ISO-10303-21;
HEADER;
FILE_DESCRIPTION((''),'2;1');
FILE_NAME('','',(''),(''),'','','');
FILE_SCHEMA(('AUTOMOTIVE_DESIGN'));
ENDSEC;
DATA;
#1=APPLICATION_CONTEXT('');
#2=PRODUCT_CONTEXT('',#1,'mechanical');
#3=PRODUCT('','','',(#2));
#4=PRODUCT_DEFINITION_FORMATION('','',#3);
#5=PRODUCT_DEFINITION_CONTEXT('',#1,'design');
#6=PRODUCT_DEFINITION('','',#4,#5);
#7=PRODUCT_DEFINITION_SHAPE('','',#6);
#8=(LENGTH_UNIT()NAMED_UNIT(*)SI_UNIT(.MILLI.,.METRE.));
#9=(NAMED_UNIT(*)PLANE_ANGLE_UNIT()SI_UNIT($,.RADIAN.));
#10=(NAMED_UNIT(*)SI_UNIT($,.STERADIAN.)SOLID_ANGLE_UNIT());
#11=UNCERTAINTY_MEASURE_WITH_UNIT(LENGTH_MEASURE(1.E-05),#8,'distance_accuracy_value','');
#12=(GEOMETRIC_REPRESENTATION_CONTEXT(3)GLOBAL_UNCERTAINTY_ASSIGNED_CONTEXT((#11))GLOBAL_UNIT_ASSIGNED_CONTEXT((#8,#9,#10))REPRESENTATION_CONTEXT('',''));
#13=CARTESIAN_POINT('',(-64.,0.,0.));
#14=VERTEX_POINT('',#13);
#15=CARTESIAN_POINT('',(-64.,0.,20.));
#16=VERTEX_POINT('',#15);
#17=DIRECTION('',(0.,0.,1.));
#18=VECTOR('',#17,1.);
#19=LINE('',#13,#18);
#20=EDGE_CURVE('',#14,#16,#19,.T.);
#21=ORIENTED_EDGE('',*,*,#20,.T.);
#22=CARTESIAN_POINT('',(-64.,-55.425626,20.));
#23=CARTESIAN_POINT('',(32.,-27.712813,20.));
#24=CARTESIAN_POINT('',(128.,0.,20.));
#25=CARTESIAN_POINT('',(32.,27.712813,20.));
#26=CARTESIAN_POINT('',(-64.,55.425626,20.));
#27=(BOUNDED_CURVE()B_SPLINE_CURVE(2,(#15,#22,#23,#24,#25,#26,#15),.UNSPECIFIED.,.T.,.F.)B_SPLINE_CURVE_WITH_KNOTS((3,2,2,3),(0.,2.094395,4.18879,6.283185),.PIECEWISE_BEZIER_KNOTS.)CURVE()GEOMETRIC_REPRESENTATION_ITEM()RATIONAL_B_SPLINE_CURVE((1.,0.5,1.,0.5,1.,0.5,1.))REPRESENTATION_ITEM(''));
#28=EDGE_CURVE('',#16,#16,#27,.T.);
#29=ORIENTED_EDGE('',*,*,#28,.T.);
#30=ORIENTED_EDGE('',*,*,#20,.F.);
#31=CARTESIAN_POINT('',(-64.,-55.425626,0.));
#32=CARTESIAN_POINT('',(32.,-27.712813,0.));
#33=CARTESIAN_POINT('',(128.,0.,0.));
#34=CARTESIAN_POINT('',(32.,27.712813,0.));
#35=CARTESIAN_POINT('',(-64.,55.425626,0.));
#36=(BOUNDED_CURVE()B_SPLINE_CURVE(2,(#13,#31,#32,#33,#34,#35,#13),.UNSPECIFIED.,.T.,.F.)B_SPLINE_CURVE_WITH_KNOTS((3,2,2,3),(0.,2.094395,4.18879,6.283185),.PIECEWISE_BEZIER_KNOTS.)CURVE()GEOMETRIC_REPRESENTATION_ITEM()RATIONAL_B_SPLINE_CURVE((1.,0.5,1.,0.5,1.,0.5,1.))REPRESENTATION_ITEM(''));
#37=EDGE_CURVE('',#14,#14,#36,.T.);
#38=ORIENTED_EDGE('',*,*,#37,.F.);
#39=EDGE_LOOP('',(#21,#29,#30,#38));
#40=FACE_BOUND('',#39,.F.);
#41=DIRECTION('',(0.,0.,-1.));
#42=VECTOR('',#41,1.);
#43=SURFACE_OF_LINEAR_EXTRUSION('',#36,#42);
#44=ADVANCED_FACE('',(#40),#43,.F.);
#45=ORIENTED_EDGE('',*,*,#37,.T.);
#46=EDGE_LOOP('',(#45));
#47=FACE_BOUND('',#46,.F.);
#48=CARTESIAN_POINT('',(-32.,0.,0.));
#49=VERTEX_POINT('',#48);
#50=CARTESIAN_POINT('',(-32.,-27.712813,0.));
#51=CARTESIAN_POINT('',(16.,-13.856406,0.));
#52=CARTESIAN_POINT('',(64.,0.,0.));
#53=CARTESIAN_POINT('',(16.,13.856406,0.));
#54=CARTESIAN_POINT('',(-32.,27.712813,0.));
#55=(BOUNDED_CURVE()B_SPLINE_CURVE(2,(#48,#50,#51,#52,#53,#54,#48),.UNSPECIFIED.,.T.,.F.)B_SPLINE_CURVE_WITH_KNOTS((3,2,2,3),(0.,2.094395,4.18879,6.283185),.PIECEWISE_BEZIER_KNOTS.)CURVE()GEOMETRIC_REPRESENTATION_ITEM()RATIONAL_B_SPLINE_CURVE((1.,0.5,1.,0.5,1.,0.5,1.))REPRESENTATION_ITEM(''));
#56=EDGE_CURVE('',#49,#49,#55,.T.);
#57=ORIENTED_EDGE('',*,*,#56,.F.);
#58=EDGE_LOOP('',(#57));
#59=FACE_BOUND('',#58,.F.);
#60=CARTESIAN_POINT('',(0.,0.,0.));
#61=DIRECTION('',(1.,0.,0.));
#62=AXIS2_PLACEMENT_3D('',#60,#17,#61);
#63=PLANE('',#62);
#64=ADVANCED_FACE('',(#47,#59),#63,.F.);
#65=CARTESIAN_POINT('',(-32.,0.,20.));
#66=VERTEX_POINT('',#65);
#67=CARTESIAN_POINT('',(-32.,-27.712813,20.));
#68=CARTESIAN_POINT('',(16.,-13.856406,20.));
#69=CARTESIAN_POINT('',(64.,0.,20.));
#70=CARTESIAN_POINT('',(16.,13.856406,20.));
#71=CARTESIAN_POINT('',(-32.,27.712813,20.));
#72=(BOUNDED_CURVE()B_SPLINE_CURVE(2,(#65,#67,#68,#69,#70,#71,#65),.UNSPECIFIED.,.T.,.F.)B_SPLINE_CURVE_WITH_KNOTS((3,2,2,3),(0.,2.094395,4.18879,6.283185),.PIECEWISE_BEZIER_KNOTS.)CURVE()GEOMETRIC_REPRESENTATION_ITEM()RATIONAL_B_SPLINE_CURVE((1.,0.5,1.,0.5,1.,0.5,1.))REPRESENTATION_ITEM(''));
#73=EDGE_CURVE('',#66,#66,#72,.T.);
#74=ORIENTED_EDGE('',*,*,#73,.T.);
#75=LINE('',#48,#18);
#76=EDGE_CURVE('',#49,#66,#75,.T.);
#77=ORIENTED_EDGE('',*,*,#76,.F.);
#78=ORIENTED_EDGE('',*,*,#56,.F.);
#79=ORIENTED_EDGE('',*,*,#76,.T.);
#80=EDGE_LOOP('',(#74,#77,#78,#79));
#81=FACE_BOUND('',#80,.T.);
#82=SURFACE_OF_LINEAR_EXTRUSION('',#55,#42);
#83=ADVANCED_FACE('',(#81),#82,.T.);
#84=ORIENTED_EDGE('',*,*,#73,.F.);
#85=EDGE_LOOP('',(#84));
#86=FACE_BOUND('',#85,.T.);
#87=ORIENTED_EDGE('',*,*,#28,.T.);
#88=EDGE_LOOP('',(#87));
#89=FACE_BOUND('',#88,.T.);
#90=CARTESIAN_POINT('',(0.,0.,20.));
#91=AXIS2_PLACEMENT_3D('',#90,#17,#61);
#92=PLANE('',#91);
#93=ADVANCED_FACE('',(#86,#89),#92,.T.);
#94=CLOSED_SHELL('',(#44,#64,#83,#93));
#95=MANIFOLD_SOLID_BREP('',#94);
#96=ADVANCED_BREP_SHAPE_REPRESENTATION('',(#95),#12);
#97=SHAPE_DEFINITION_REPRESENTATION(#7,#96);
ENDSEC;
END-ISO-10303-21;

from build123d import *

# Parameters (mm, degrees)
F1_DEPTH = 20


with BuildPart() as f1:
    # F0 (on Top) → F1 (new body)
    with BuildSketch(Plane.XY):
        with BuildLine():
            add(Edge.make_bspline(
                [(-64, 0), (-64, -55.425626), (32, -27.712813), (128, 0), (32, 27.712813), (-64, 55.425626), (-64, 0)],
                knots=[0, 0, 0, 2.094395, 2.094395, 4.18879, 4.18879, 6.283185, 6.283185, 6.283185], degree=2, weights=[1, 0.5, 1, 0.5, 1, 0.5, 1]))
        make_face()
        with BuildLine():
            add(Edge.make_bspline(
                [(-32, 0), (-32, -27.712813), (16, -13.856406), (64, 0), (16, 13.856406), (-32, 27.712813), (-32, 0)],
                knots=[0, 0, 0, 2.094395, 2.094395, 4.18879, 4.18879, 6.283185, 6.283185, 6.283185], degree=2, weights=[1, 0.5, 1, 0.5, 1, 0.5, 1]))
        make_face(mode=Mode.SUBTRACT)
    extrude(amount=F1_DEPTH)


solid = f1.part
